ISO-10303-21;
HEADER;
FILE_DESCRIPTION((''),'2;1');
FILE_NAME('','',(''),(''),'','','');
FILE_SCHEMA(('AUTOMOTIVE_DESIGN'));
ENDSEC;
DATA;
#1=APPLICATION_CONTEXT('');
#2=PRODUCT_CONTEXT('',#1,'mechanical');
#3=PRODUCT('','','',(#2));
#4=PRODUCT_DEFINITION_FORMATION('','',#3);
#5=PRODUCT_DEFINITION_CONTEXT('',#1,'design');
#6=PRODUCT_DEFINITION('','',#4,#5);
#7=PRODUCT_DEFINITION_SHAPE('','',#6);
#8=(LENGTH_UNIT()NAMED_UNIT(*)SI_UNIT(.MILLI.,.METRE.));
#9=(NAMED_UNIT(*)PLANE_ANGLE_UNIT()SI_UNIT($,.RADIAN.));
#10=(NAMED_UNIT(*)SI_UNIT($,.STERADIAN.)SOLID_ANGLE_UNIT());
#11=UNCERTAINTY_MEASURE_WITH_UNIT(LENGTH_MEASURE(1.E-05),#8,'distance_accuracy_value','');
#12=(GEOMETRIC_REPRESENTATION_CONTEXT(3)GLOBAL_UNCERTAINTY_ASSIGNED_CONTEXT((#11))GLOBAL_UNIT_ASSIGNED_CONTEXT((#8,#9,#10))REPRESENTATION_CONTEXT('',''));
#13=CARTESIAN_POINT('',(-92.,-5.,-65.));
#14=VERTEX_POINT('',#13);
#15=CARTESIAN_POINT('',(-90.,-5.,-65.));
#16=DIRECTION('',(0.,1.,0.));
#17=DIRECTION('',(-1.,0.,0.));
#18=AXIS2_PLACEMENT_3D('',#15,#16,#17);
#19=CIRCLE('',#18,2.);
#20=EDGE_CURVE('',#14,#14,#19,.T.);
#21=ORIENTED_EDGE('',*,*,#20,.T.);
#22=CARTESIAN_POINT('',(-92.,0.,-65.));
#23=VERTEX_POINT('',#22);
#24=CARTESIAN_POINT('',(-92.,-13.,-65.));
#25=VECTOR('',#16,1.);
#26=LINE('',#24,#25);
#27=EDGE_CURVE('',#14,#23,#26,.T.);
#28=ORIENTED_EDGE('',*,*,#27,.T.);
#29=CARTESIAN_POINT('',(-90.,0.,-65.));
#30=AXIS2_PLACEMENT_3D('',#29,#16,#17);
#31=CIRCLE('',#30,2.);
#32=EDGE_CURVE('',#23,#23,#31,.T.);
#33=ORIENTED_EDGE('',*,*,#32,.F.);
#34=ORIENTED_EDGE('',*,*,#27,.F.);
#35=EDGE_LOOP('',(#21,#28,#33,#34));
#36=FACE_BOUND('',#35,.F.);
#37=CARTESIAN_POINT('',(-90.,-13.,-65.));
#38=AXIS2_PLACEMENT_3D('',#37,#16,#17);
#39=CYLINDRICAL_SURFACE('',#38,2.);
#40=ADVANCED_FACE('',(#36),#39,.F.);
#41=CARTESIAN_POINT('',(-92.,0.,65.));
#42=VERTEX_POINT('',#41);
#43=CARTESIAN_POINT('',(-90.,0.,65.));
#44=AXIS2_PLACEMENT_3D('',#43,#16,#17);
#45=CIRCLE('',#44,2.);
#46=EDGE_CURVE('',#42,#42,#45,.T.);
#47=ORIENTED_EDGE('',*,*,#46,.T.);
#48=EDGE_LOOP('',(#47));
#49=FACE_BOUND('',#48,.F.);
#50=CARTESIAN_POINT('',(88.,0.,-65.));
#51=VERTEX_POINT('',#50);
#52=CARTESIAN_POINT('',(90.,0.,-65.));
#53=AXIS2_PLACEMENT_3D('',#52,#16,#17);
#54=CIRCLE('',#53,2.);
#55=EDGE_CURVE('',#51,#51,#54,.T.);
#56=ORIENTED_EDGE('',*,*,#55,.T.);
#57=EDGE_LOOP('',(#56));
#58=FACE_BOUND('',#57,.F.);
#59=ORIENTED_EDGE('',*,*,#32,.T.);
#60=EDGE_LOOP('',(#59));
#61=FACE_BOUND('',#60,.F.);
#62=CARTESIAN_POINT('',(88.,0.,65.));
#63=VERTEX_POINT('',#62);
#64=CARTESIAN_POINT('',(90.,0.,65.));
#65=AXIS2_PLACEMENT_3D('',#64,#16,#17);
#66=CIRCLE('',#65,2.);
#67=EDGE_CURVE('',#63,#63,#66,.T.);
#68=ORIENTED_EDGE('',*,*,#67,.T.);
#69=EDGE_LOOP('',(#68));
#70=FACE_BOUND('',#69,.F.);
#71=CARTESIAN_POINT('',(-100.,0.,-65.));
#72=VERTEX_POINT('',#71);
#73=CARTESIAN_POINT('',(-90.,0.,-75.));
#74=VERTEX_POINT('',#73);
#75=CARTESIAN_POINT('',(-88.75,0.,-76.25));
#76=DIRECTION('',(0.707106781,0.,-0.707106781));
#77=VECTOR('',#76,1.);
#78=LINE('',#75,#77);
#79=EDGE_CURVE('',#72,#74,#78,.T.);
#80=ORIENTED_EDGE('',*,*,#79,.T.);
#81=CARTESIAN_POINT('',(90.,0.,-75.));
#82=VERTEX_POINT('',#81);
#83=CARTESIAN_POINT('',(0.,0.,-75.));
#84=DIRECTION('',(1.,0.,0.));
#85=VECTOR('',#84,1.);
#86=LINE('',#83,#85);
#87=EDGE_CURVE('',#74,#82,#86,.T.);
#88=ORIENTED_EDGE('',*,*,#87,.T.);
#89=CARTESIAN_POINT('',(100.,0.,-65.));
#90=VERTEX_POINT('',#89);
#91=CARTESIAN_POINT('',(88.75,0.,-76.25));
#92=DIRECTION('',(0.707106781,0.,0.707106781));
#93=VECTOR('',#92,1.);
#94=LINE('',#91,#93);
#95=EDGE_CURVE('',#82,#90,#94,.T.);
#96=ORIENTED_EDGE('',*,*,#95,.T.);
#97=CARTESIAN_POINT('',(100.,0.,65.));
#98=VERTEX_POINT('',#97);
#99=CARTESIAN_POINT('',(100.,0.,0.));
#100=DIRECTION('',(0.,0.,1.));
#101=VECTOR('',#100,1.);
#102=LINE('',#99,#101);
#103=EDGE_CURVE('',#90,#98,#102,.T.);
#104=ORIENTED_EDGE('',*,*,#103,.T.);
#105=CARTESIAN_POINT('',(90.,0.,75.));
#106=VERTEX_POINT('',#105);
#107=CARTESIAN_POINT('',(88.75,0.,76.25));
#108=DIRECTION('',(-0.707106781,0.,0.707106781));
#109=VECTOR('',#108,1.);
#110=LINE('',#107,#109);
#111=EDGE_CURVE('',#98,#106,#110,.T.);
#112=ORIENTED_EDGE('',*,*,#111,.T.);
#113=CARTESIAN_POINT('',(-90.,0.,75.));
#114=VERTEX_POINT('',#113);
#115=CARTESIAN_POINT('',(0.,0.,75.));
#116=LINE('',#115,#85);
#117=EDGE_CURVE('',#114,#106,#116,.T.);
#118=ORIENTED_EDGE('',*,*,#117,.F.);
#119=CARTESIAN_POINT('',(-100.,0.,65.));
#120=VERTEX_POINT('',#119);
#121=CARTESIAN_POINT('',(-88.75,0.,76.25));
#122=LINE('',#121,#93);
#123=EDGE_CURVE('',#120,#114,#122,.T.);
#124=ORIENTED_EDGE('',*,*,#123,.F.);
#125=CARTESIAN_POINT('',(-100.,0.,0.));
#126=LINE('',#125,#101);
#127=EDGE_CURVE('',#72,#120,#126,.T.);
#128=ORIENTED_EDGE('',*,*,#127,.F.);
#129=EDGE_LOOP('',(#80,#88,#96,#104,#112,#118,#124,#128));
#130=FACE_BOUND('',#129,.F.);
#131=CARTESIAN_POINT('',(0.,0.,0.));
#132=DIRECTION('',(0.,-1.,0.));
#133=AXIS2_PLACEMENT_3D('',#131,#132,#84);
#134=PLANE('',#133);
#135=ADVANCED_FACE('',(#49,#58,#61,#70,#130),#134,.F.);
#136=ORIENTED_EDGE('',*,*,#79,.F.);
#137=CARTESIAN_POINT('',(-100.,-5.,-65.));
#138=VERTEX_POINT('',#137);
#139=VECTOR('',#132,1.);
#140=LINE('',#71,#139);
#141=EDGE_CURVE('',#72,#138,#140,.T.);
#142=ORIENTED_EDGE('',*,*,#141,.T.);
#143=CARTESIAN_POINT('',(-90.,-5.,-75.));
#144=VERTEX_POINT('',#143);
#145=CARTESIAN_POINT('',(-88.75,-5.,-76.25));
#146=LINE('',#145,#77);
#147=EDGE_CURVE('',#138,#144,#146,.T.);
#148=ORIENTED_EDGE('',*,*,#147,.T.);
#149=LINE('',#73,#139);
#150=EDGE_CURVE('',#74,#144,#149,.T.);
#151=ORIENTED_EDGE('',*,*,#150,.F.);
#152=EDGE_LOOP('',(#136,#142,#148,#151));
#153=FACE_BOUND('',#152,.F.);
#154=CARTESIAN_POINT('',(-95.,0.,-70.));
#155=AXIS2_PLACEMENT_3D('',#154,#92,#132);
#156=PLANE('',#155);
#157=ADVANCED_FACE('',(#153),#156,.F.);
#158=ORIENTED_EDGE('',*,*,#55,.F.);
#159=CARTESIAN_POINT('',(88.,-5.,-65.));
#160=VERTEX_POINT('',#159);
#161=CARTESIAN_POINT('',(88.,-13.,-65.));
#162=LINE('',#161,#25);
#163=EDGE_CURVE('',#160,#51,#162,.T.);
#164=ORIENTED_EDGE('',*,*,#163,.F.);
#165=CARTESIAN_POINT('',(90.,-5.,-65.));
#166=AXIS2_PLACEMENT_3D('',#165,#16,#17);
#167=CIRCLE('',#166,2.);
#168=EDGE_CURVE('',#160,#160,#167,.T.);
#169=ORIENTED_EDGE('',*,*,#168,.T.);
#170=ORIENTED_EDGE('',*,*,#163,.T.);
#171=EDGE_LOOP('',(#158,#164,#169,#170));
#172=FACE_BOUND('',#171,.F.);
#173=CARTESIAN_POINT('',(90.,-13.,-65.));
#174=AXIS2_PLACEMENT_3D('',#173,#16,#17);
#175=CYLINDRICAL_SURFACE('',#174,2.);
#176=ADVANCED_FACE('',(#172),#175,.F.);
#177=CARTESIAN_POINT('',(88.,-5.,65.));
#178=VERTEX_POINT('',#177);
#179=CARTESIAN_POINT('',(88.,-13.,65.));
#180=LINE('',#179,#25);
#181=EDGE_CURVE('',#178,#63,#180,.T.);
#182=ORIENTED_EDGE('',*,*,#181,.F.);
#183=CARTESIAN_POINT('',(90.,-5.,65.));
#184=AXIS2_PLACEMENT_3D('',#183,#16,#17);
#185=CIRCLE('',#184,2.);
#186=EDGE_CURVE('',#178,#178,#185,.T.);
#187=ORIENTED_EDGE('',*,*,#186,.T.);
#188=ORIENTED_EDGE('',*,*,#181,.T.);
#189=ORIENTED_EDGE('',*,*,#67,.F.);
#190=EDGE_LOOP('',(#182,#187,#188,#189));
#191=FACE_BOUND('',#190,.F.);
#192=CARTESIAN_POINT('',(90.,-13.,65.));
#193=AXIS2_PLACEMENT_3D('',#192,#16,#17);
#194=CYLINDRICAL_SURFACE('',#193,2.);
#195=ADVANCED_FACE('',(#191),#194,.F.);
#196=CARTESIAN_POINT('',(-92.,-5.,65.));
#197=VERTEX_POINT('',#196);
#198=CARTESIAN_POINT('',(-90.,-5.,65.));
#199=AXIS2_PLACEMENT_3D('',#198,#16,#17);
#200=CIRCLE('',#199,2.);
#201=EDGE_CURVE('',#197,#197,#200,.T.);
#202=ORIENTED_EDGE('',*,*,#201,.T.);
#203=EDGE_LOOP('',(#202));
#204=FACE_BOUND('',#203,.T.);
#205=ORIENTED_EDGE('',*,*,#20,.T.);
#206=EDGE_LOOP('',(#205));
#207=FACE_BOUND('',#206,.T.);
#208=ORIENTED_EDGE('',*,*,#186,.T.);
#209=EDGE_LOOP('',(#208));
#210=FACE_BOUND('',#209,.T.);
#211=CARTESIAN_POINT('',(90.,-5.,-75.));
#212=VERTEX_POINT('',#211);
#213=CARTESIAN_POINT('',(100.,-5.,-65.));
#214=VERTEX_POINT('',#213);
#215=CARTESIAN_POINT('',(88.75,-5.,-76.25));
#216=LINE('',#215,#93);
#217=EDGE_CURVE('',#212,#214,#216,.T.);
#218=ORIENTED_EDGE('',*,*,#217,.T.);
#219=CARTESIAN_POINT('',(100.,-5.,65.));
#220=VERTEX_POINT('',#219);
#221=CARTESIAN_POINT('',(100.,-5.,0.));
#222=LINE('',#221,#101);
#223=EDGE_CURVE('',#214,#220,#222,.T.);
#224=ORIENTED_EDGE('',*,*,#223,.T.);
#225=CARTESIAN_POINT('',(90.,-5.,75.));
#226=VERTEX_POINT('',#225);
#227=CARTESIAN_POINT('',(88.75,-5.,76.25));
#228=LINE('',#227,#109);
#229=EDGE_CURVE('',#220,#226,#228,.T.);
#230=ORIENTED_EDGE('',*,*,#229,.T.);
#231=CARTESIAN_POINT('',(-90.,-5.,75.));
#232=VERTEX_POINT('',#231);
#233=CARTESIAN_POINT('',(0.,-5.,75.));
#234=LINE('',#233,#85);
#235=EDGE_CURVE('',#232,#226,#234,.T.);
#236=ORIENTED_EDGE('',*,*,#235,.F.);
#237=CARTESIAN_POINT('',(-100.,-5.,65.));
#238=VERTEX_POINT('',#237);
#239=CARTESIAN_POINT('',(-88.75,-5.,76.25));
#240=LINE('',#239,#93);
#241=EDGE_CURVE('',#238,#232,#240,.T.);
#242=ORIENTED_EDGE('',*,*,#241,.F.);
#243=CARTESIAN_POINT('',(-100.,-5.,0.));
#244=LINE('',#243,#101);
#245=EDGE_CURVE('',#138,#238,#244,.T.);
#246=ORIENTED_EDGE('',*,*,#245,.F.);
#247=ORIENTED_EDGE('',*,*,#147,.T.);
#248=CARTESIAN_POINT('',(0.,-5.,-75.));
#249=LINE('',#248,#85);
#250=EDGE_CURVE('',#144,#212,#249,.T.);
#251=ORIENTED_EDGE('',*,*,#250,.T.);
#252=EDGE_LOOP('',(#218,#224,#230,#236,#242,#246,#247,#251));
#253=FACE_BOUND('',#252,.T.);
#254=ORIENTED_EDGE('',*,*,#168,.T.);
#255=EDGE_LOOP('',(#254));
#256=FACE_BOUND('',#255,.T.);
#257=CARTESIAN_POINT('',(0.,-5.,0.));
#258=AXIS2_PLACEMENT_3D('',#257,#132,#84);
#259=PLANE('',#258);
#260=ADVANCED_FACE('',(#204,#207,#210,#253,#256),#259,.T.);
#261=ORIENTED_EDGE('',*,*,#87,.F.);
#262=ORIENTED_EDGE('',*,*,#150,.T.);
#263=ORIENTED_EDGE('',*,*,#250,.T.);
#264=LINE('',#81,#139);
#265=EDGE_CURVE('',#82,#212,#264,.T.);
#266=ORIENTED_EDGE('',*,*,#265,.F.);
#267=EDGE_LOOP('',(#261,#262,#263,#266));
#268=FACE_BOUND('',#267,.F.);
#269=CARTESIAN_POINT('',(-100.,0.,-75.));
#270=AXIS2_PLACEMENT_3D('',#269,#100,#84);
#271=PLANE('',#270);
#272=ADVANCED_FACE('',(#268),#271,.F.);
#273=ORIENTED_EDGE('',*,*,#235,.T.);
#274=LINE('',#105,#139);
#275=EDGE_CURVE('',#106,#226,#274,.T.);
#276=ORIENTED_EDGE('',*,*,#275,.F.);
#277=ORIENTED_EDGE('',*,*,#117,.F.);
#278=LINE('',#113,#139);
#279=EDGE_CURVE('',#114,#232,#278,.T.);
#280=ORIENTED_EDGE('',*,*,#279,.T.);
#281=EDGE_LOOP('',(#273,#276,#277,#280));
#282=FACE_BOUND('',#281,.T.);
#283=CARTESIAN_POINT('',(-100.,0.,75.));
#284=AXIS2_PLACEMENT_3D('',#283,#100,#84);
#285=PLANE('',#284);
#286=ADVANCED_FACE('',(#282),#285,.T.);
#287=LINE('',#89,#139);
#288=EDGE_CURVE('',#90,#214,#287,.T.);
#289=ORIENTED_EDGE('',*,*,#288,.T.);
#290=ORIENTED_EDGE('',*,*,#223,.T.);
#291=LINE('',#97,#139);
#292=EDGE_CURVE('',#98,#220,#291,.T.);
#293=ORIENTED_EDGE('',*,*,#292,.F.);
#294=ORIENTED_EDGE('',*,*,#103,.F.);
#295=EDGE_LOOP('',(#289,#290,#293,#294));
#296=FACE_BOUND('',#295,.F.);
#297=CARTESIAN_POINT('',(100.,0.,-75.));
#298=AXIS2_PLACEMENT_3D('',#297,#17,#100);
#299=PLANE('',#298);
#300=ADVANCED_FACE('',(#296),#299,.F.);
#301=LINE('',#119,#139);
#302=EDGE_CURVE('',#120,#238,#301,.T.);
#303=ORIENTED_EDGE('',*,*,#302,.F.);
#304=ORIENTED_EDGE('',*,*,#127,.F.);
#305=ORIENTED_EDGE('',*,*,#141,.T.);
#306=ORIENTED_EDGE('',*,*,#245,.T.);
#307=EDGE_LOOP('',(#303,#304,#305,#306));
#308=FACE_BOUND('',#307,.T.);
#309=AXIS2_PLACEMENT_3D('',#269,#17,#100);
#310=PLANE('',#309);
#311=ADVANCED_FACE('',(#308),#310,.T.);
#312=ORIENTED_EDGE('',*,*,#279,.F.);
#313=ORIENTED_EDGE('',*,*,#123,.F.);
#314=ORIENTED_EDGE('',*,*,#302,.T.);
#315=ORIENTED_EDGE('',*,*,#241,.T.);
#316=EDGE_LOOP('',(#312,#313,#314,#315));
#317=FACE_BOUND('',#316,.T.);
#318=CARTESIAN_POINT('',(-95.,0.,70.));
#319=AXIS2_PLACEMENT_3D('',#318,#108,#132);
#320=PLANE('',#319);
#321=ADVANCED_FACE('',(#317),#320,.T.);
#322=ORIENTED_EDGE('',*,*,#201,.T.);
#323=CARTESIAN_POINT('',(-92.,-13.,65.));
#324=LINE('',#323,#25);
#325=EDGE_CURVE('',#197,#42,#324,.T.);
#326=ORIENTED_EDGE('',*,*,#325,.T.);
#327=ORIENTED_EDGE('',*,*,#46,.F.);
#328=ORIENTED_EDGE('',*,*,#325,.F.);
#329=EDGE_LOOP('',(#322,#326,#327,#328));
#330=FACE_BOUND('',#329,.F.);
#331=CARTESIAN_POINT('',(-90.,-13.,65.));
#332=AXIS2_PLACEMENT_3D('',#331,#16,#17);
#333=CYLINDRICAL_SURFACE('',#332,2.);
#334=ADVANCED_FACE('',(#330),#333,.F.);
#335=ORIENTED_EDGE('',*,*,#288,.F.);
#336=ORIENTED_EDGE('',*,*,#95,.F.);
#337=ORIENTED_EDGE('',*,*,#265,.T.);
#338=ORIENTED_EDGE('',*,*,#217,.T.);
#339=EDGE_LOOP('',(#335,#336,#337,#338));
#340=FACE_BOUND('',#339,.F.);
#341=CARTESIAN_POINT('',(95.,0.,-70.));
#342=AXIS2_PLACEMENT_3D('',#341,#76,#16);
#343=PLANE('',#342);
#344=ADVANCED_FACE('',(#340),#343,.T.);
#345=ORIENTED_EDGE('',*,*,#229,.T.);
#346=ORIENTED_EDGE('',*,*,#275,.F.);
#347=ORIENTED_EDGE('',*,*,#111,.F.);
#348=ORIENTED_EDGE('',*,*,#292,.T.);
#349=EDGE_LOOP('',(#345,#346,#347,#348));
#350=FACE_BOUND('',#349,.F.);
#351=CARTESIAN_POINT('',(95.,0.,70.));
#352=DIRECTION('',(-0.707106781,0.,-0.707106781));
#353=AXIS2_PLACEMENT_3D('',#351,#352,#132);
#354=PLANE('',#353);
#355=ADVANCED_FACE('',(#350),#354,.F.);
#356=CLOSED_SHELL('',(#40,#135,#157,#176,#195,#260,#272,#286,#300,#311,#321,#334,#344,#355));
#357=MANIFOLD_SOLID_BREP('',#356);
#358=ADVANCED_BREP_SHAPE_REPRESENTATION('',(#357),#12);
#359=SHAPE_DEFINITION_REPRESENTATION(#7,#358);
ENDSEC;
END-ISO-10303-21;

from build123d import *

# Parameters (mm, degrees)
F0_W     = 200
F0_H     = 150
F1_DEPTH = 5
F2_SIZE  = 10
F4_D     = 4
F4_DEPTH = 8


with BuildPart() as f1:
    # F0 (on Front) → F1 (new body)
    with BuildSketch(Plane.XZ):
        Rectangle(F0_W, F0_H)
    extrude(amount=F1_DEPTH)

    # F2
    f2_edges = [f1.edges().sort_by_distance(p)[0] for p in [
        (-100, -2.5, 75),
        (100, -2.5, 75),
        (-100, -2.5, -75),
        (100, -2.5, -75),
    ]]
    chamfer(f2_edges, length=F2_SIZE)

    # F4
    with Locations(Plane.XZ.offset(5)):
        with Locations((90, -65), (-90, -65), (-90, 65), (90, 65)):
            Hole(F4_D / 2, depth=F4_DEPTH)


solid = f1.part
